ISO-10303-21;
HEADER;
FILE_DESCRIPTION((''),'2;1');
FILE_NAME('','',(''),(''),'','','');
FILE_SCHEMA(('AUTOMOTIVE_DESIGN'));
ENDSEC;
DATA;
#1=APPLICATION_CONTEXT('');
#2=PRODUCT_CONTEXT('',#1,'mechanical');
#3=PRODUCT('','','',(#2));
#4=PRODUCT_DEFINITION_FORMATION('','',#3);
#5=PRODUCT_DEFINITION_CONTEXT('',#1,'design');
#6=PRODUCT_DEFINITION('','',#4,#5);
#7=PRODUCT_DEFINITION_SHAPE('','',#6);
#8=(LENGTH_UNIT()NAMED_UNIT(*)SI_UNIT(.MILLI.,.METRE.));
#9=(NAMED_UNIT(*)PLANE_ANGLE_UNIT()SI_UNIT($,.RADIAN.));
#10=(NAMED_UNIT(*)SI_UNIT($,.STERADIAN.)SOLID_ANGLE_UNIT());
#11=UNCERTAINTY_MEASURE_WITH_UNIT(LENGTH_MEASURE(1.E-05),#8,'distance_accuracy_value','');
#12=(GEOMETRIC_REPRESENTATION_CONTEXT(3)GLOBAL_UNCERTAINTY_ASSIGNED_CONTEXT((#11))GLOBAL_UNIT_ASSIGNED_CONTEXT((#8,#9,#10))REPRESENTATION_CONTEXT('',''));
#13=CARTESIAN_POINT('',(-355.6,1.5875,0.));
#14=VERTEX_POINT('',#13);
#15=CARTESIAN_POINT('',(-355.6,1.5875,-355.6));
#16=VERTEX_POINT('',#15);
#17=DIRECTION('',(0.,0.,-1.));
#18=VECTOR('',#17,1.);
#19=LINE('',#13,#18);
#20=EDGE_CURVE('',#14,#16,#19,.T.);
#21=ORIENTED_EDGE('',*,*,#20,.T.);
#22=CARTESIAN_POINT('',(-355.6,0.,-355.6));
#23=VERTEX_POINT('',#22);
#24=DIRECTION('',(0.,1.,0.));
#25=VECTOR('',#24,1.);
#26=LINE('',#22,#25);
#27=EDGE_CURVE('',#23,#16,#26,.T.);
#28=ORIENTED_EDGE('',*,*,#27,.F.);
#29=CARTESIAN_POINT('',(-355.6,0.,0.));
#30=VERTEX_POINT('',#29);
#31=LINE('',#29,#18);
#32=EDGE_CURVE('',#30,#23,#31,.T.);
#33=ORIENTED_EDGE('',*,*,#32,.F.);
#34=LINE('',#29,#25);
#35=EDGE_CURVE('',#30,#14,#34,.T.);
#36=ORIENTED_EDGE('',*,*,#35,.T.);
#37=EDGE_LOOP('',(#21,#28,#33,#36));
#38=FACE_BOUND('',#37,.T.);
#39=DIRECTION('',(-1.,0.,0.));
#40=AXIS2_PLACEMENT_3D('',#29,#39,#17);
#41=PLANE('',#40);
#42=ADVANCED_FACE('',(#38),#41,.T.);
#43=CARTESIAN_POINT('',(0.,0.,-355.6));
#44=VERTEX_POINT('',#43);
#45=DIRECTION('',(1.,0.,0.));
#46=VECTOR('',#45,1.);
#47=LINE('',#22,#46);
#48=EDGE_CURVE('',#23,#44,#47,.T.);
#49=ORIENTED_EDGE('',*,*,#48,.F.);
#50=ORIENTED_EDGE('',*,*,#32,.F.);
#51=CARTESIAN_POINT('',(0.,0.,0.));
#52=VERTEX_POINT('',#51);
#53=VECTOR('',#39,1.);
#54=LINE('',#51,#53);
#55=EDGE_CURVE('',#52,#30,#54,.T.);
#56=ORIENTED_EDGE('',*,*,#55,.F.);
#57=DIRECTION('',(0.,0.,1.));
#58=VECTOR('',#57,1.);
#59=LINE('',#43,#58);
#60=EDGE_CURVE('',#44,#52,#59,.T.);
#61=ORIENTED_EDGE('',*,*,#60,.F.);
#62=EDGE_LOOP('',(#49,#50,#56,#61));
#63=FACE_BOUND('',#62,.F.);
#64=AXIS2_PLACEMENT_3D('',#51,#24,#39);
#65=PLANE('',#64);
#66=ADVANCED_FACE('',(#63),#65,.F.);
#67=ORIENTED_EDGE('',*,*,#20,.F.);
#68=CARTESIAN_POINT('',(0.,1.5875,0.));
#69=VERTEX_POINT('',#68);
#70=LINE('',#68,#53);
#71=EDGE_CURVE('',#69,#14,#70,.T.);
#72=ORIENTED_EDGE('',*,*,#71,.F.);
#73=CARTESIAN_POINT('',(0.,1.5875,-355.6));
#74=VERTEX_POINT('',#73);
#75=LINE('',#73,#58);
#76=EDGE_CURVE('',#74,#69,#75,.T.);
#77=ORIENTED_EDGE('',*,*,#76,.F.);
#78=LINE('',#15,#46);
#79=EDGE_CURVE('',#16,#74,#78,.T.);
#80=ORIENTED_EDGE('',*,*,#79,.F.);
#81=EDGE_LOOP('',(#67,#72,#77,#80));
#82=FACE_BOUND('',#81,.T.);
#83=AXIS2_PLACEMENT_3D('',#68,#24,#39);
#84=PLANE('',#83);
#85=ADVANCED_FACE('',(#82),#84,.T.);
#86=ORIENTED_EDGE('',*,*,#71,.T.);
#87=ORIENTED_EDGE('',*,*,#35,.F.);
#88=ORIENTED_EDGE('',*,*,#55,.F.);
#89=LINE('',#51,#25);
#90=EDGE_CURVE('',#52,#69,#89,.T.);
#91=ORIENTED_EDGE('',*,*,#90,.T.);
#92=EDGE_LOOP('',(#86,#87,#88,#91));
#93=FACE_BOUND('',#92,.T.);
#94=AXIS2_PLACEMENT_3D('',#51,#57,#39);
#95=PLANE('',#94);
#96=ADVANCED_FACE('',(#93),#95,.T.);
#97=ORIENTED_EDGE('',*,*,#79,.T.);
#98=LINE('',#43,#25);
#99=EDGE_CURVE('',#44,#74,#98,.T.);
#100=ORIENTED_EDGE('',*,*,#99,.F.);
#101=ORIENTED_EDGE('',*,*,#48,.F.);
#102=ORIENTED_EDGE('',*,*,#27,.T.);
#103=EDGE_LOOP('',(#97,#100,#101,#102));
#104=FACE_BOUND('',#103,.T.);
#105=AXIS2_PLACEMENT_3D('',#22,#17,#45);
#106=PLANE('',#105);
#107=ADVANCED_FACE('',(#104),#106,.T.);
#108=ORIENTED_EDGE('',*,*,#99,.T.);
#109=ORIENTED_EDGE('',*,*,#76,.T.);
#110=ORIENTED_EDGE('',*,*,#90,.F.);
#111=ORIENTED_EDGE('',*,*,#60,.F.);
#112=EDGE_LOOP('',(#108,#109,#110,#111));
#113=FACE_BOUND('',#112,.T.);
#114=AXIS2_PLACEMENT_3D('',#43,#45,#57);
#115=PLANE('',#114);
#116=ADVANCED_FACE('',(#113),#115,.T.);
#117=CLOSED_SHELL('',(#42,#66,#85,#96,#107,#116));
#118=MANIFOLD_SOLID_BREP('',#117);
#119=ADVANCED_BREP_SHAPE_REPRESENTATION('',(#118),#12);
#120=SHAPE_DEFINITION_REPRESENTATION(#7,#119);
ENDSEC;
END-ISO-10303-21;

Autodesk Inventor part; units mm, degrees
ref_plane "YZ Plane" through (0, 0, 0) normal (1, 0, 0) x (0, 1, 0)
ref_plane "XZ Plane" through (0, 0, 0) normal (0, 1, 0) x (-1, 0, 0)
ref_plane "XY Plane" through (0, 0, 0) normal (0, 0, 1) x (1, 0, 0)
sketch "Sketch1" plane through (0, 0, 0) normal (0, 1, 0) x (-1, 0, 0)
  line L0 (0, 0) -> (355.6, 0)
  line L1 (355.6, 0) -> (355.6, -355.6)
  line L2 (355.6, -355.6) -> (0, -355.6)
  line L3 (0, -355.6) -> (0, 0)
  dimension "d1" = 355.6
extrude "Extrusion1" add sketch "Sketch1" along normal blind 1.5875
properties part number "Square_Of_Underlayment" material "Rubber"
